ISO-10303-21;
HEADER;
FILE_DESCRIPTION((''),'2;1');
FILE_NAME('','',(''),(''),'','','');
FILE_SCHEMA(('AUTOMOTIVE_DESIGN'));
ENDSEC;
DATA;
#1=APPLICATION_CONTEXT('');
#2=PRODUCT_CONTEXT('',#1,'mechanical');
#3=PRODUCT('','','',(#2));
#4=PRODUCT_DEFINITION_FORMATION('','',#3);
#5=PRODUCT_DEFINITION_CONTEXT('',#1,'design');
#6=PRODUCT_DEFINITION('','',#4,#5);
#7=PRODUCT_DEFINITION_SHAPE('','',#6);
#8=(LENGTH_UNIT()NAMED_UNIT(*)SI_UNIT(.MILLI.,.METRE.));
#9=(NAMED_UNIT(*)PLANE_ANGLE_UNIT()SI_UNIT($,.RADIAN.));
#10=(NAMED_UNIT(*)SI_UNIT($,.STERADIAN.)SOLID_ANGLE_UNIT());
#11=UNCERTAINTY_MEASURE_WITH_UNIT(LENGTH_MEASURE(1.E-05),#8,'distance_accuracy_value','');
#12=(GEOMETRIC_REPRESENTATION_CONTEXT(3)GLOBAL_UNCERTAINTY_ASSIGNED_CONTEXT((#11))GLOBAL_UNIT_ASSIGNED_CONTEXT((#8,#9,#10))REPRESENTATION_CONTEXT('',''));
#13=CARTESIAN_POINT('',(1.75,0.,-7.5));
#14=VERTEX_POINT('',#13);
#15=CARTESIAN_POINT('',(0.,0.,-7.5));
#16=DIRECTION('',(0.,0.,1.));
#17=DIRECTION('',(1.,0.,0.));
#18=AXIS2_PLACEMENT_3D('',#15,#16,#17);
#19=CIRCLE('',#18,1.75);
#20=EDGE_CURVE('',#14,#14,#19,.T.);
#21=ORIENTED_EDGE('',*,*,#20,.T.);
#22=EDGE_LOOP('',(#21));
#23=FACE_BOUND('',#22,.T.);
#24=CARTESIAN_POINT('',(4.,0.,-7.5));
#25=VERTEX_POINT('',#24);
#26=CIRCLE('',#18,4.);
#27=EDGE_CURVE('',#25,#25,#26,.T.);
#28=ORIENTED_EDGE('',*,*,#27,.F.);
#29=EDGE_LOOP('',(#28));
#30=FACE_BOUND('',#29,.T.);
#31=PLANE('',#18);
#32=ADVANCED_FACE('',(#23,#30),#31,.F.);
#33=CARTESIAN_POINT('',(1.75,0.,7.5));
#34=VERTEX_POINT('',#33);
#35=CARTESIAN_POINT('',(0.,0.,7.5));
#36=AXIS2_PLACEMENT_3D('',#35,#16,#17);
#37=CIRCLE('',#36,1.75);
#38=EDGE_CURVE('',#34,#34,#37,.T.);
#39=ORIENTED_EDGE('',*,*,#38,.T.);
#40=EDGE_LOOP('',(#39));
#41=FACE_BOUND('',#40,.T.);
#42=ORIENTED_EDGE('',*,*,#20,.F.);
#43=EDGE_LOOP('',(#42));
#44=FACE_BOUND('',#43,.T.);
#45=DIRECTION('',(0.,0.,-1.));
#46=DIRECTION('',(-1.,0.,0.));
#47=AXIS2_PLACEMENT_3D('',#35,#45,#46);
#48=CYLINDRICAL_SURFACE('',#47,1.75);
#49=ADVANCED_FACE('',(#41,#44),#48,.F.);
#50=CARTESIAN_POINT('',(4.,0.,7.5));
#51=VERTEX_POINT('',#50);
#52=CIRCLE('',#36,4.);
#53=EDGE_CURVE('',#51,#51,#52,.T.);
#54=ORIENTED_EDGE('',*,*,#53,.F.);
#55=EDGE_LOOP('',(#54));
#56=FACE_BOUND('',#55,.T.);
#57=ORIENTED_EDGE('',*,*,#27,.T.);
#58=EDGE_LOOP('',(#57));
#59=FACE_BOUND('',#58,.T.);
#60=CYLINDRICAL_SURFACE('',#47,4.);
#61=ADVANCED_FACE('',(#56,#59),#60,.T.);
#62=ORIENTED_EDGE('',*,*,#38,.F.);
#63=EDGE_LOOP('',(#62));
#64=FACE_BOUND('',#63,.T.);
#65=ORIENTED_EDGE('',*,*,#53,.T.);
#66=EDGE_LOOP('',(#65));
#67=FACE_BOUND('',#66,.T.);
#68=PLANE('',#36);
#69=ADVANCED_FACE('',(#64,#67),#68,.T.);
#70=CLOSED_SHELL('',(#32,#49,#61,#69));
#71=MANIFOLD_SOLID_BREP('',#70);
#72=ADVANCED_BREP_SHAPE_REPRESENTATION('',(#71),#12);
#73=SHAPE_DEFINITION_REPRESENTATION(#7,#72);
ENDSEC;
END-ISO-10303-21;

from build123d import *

# Parameters (mm, degrees)
ESQUISSE1_R        = 4
ESQUISSE1_R_2      = 1.75
BOSS_EXTRU_1_DEPTH = 7.5


with BuildPart() as part:
    # Esquisse1 → Boss.-Extru.1 (new, symmetric)
    with BuildSketch(Plane.XY):
        Circle(ESQUISSE1_R)
        Circle(ESQUISSE1_R_2, mode=Mode.SUBTRACT)
    extrude(amount=BOSS_EXTRU_1_DEPTH, both=True)


solid = part.part
